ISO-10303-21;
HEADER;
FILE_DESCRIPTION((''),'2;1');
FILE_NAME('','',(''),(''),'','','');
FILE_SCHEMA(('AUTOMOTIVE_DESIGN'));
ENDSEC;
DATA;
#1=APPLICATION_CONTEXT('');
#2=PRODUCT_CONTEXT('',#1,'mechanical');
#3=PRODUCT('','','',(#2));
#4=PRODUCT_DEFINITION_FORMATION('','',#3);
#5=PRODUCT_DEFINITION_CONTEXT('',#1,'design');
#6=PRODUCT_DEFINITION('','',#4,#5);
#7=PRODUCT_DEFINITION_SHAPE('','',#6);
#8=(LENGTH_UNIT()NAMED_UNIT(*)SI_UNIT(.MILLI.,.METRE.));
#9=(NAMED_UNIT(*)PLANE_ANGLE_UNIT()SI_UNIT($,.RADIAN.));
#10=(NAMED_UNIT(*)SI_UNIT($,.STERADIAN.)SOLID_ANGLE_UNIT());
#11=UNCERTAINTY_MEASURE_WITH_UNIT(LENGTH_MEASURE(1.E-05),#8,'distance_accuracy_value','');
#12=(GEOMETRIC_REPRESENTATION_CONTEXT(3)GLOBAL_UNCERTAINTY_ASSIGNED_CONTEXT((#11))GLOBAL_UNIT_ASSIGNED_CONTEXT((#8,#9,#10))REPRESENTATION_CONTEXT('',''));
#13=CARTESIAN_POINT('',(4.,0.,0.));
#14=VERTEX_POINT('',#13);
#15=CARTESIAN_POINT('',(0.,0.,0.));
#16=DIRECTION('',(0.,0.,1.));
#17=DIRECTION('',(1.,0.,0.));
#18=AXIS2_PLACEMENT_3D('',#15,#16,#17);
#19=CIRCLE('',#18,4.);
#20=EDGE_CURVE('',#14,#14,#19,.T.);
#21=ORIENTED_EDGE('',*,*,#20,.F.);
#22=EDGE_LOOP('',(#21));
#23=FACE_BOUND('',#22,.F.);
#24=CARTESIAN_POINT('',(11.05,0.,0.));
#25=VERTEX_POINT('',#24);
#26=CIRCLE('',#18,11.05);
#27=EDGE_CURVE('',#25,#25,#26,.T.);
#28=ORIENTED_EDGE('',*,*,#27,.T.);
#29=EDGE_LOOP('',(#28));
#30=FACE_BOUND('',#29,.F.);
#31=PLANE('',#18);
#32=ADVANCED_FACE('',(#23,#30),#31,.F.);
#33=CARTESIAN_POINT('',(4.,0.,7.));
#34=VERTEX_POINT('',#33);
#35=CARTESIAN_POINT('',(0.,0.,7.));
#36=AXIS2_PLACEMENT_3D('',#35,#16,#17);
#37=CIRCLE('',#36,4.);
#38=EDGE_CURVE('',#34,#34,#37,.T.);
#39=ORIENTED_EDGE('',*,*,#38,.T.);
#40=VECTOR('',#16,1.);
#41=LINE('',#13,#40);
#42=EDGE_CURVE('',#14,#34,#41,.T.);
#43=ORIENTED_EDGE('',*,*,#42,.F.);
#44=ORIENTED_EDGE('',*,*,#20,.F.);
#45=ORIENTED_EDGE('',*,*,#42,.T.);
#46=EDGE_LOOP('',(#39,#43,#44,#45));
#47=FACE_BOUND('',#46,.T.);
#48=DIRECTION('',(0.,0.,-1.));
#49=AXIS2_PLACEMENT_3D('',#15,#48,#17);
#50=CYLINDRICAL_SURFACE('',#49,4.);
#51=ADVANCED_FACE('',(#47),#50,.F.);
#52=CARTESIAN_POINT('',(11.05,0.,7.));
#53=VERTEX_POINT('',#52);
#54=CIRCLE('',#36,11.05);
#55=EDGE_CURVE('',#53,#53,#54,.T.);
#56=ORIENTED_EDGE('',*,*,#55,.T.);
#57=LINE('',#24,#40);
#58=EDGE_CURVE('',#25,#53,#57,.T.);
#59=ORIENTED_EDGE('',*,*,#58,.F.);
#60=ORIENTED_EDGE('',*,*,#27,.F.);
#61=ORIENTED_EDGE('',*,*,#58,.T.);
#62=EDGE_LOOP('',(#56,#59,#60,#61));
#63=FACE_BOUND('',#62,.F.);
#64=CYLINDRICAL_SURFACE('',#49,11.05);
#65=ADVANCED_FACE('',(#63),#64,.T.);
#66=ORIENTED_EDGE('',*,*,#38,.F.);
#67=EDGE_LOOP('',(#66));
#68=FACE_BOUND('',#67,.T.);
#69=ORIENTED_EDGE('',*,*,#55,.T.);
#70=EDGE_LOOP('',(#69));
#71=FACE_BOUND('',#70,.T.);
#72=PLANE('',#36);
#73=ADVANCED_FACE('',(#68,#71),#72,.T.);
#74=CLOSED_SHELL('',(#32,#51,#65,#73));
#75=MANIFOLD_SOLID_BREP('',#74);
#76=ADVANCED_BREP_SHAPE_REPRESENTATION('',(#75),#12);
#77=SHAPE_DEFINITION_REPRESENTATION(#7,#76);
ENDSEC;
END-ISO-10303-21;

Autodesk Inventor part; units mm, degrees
ref_plane "YZ Plane" through (0, 0, 0) normal (1, 0, 0) x (0, 1, 0)
ref_plane "XZ Plane" through (0, 0, 0) normal (0, 1, 0) x (-1, 0, 0)
ref_plane "XY Plane" through (0, 0, 0) normal (0, 0, 1) x (1, 0, 0)
sketch "Sketch1" plane through (0, 0, 0) normal (0, 0, 1) x (1, 0, 0)
  circle A0 centre (0, 0) radius 11.05
  circle A1 centre (0, 0) radius 4
  dimension "d0" = 22.1
  dimension "d1" = 8
extrude "Extrusion1" add sketch "Sketch1" along normal blind 7
properties part number "608ZZ bearing"
